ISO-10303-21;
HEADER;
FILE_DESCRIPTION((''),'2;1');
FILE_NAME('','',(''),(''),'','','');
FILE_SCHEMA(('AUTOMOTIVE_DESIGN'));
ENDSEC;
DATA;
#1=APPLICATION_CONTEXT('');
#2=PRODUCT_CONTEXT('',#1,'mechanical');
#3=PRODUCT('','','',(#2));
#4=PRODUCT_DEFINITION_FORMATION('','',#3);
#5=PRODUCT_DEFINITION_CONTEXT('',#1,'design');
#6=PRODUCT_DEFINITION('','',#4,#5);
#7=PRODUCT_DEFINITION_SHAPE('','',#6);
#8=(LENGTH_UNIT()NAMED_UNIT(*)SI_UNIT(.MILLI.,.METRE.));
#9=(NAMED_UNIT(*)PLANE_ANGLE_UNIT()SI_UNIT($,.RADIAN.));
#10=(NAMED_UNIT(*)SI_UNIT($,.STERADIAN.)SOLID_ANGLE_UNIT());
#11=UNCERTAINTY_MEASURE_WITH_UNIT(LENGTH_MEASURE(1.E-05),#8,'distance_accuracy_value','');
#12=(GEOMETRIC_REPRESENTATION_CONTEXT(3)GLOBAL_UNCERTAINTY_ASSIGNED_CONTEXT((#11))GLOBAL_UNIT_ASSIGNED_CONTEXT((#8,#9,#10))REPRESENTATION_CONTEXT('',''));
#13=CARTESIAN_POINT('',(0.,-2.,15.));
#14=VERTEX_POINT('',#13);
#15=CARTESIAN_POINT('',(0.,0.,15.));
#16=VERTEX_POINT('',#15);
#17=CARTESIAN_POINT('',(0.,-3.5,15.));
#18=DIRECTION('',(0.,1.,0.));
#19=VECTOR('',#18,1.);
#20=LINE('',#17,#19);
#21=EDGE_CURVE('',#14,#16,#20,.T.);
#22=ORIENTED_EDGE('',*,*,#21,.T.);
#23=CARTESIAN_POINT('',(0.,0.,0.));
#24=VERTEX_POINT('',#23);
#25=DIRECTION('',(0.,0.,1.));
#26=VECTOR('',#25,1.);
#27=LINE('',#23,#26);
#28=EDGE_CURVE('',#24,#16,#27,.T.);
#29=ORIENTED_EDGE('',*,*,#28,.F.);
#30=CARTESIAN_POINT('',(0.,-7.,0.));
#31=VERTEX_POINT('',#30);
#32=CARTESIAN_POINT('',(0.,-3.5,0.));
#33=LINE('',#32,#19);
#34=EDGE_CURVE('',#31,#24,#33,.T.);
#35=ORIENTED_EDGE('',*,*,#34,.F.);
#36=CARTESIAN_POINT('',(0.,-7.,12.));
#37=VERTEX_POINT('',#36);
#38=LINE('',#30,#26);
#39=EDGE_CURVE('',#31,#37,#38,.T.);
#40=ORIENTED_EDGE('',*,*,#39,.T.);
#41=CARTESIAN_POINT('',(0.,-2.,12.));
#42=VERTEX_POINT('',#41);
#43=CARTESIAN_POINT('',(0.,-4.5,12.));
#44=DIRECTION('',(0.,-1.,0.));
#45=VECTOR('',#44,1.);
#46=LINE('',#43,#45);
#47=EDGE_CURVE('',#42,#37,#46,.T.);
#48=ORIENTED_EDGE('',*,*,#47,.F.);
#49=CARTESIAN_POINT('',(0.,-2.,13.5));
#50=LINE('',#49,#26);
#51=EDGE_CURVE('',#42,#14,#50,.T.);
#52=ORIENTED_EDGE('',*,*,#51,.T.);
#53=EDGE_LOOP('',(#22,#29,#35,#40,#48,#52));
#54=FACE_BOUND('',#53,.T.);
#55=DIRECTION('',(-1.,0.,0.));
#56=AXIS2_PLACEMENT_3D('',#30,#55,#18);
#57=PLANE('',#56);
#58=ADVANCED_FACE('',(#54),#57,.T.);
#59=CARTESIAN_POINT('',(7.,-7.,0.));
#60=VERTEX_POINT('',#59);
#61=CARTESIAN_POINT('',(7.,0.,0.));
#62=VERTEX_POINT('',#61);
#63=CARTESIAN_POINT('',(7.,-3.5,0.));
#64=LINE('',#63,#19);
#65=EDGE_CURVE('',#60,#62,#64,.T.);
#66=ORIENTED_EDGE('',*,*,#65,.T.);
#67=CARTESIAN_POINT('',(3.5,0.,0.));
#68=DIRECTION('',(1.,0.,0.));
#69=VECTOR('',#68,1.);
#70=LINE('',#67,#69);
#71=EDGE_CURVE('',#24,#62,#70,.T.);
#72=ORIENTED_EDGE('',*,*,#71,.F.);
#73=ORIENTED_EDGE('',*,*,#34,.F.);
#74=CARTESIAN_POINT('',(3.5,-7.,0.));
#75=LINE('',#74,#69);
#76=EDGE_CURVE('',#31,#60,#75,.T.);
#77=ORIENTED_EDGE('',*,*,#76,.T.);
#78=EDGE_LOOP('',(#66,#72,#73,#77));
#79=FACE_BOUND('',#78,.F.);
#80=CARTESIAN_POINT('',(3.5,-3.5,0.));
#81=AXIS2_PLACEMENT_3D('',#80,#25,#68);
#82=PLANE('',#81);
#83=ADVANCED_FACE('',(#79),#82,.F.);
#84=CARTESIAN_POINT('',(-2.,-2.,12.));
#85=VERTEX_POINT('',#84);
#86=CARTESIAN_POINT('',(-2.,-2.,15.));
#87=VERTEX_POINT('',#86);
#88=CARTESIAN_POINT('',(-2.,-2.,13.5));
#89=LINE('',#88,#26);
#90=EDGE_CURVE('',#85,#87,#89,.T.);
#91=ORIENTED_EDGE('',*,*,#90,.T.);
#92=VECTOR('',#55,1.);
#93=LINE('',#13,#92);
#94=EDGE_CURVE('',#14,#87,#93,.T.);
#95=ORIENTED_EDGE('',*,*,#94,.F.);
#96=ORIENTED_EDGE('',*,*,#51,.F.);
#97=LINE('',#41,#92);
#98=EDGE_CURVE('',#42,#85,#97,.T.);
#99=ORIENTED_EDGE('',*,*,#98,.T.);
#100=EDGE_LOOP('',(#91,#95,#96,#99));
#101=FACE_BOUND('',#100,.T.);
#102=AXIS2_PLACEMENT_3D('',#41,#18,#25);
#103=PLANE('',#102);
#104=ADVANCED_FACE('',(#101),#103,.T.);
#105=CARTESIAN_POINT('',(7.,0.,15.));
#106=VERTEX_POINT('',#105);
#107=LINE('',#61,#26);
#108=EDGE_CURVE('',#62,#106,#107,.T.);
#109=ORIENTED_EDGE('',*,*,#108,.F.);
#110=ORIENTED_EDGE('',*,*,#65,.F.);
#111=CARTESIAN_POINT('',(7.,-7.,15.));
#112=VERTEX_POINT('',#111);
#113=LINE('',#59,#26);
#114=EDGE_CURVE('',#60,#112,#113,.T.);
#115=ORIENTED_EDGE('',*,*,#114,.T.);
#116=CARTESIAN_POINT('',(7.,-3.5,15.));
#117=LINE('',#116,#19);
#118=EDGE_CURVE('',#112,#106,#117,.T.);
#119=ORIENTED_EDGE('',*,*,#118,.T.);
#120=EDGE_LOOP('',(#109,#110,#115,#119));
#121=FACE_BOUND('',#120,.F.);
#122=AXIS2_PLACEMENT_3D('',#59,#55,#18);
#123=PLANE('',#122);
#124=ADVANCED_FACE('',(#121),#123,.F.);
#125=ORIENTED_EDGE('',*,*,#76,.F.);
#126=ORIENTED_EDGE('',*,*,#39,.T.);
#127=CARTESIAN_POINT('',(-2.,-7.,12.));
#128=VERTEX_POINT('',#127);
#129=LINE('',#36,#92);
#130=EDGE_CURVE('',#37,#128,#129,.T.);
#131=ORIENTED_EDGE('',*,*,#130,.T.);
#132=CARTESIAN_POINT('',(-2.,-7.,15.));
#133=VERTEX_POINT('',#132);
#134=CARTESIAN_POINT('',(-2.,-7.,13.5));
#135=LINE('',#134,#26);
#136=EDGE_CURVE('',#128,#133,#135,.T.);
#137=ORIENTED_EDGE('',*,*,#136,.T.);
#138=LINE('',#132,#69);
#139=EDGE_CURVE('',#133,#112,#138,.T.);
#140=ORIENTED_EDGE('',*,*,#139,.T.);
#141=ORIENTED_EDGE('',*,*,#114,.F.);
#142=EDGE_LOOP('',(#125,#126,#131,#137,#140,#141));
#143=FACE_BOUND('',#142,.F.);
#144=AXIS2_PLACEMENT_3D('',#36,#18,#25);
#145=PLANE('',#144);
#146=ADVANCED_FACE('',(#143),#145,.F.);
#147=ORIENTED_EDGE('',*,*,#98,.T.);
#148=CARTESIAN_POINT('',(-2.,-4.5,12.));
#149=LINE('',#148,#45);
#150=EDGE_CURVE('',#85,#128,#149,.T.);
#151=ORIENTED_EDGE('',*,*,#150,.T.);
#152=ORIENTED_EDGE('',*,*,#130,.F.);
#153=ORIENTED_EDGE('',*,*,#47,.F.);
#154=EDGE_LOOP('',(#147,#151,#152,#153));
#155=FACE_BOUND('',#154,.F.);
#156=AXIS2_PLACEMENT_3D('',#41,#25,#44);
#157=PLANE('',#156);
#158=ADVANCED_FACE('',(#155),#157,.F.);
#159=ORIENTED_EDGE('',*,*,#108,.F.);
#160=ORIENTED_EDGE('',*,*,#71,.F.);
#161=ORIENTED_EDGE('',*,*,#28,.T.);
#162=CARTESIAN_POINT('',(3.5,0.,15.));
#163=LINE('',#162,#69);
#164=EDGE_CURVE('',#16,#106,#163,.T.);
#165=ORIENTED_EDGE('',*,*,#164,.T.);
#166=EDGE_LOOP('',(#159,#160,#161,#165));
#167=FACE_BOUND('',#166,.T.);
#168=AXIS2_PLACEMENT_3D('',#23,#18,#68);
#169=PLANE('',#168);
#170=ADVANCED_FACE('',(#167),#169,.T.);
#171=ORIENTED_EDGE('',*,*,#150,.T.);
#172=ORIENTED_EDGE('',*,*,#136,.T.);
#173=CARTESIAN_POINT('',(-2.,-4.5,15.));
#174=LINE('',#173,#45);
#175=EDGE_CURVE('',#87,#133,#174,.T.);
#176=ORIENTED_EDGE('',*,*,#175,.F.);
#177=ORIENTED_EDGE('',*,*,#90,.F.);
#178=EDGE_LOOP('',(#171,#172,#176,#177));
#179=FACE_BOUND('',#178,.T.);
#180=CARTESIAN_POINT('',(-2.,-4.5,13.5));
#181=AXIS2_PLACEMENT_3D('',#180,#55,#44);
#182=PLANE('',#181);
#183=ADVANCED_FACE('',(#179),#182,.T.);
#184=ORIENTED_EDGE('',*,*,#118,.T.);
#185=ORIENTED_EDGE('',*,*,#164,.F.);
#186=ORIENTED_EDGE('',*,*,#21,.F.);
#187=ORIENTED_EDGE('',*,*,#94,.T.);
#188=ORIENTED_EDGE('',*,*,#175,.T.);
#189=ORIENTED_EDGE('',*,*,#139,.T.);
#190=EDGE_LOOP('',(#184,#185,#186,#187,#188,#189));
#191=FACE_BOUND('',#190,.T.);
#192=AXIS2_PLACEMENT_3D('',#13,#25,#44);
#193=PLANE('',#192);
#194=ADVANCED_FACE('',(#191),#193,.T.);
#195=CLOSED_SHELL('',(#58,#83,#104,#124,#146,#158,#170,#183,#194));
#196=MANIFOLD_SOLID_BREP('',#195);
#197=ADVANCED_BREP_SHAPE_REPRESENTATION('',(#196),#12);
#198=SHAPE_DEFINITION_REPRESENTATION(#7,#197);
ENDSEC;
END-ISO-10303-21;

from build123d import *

# Parameters (mm, degrees)
SKETCH_W     = 7
SKETCH_H     = 7
PAD_DEPTH    = 15
SKETCH002_W  = 5
SKETCH002_H  = 3
PAD001_DEPTH = 2


with BuildPart() as part:
    # Sketch → Pad (new body)
    with BuildSketch(Plane.XY):
        with Locations((3.5, -3.5)):
            Rectangle(SKETCH_W, SKETCH_H)
    extrude(amount=PAD_DEPTH)

    # Sketch002 (on Face4 of Pad) → Pad001 (join)
    with BuildSketch(Plane(origin=(0, 0, 0), x_dir=(0, -1, 0), z_dir=(-1, 0, 0))):
        with Locations((4.5, 13.5)):
            Rectangle(SKETCH002_W, SKETCH002_H)
    extrude(amount=PAD001_DEPTH)


solid = part.part
